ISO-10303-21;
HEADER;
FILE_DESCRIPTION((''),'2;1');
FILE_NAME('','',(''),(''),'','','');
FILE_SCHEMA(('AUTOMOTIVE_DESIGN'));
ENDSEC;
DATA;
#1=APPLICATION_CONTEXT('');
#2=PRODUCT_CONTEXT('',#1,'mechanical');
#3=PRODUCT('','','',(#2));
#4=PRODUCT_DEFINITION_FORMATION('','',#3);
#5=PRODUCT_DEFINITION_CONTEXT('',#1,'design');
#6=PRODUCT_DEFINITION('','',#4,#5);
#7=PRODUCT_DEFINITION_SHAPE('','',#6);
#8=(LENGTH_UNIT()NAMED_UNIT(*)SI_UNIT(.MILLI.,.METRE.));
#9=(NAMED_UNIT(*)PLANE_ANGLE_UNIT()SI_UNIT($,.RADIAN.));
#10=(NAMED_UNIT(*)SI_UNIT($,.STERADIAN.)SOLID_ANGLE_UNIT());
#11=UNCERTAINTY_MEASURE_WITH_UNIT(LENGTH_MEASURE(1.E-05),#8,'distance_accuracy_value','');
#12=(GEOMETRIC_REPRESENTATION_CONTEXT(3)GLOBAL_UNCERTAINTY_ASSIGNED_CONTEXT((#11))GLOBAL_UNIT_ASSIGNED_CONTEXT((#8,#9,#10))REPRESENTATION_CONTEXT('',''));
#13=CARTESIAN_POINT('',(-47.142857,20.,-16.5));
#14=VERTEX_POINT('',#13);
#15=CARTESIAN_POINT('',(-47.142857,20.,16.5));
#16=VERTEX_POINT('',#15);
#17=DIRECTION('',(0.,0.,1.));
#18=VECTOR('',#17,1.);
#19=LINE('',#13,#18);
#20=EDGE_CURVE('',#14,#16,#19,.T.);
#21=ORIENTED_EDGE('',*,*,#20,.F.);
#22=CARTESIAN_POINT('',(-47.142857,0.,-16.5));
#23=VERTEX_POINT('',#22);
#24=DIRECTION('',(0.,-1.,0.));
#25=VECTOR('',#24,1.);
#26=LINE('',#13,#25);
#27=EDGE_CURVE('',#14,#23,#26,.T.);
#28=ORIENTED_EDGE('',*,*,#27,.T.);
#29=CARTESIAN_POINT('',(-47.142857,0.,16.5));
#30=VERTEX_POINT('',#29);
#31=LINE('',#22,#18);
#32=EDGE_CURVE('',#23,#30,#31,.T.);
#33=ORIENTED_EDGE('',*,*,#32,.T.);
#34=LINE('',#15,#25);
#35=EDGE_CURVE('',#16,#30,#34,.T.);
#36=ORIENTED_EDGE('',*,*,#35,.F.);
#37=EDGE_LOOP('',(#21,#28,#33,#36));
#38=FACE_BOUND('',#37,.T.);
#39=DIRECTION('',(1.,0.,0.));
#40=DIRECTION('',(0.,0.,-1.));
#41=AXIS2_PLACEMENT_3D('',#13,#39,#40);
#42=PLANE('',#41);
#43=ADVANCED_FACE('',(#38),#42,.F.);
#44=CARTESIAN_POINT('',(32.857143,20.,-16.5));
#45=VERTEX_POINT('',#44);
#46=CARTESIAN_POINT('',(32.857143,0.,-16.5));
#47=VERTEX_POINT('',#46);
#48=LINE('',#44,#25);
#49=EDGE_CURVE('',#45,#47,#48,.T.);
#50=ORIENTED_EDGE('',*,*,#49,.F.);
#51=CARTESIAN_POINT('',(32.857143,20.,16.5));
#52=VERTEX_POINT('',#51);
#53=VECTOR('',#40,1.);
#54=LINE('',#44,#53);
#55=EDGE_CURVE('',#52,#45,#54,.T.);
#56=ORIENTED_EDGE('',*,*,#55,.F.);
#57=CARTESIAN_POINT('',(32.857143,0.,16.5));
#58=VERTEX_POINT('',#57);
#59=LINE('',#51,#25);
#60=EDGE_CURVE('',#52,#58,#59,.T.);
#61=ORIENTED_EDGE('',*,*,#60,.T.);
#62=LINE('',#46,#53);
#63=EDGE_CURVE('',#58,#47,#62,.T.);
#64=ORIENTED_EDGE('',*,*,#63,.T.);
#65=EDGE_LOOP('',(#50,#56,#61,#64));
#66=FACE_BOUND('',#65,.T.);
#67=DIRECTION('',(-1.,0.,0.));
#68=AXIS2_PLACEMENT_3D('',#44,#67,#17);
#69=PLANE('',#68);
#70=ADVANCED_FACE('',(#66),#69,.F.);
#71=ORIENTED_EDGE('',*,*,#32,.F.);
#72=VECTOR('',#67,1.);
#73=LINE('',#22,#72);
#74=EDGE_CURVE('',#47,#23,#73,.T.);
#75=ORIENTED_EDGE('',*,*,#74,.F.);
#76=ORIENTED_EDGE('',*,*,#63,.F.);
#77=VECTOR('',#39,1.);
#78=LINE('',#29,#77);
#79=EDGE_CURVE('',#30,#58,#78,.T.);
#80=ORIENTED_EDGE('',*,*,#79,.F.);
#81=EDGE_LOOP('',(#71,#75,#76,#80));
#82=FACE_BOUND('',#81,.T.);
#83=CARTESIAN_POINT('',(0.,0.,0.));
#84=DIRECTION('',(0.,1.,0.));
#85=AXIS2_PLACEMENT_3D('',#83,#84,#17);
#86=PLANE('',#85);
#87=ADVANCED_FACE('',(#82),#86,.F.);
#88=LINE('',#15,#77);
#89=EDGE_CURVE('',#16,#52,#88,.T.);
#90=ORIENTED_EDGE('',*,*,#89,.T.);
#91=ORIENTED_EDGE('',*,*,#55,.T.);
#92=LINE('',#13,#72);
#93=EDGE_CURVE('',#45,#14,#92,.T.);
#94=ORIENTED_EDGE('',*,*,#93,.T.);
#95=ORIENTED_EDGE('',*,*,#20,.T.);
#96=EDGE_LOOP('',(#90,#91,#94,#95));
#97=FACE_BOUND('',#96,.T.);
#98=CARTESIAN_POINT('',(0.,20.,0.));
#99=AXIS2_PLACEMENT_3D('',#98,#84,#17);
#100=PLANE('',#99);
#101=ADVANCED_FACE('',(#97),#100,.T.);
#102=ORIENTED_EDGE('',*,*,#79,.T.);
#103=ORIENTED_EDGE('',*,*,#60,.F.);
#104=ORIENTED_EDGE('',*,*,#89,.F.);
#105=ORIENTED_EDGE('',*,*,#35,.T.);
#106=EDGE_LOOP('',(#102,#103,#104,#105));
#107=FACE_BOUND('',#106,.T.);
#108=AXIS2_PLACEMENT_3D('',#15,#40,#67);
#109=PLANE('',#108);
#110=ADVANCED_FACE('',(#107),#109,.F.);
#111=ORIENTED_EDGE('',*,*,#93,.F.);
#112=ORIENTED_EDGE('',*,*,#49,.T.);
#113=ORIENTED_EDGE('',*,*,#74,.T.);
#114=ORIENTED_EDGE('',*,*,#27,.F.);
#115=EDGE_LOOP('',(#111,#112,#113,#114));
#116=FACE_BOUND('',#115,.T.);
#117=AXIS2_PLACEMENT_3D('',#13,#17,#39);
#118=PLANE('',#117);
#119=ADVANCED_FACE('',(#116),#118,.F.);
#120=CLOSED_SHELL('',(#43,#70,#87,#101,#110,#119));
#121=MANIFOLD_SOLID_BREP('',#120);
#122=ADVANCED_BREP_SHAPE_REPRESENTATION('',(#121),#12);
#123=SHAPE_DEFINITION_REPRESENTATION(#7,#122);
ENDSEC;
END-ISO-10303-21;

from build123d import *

# Parameters (mm, degrees)
SKETCH1_W           = 80
SKETCH1_H           = 33
BOSS_EXTRUDE1_DEPTH = 20


with BuildPart() as part:
    # Sketch1 → Boss-Extrude1 (new body)
    with BuildSketch(Plane(origin=(0, 0, 0), x_dir=(1, 0, 0), z_dir=(0, 1, 0))):
        with Locations((-7.142857143, 0)):
            Rectangle(SKETCH1_W, SKETCH1_H)
    extrude(amount=BOSS_EXTRUDE1_DEPTH)


solid = part.part
